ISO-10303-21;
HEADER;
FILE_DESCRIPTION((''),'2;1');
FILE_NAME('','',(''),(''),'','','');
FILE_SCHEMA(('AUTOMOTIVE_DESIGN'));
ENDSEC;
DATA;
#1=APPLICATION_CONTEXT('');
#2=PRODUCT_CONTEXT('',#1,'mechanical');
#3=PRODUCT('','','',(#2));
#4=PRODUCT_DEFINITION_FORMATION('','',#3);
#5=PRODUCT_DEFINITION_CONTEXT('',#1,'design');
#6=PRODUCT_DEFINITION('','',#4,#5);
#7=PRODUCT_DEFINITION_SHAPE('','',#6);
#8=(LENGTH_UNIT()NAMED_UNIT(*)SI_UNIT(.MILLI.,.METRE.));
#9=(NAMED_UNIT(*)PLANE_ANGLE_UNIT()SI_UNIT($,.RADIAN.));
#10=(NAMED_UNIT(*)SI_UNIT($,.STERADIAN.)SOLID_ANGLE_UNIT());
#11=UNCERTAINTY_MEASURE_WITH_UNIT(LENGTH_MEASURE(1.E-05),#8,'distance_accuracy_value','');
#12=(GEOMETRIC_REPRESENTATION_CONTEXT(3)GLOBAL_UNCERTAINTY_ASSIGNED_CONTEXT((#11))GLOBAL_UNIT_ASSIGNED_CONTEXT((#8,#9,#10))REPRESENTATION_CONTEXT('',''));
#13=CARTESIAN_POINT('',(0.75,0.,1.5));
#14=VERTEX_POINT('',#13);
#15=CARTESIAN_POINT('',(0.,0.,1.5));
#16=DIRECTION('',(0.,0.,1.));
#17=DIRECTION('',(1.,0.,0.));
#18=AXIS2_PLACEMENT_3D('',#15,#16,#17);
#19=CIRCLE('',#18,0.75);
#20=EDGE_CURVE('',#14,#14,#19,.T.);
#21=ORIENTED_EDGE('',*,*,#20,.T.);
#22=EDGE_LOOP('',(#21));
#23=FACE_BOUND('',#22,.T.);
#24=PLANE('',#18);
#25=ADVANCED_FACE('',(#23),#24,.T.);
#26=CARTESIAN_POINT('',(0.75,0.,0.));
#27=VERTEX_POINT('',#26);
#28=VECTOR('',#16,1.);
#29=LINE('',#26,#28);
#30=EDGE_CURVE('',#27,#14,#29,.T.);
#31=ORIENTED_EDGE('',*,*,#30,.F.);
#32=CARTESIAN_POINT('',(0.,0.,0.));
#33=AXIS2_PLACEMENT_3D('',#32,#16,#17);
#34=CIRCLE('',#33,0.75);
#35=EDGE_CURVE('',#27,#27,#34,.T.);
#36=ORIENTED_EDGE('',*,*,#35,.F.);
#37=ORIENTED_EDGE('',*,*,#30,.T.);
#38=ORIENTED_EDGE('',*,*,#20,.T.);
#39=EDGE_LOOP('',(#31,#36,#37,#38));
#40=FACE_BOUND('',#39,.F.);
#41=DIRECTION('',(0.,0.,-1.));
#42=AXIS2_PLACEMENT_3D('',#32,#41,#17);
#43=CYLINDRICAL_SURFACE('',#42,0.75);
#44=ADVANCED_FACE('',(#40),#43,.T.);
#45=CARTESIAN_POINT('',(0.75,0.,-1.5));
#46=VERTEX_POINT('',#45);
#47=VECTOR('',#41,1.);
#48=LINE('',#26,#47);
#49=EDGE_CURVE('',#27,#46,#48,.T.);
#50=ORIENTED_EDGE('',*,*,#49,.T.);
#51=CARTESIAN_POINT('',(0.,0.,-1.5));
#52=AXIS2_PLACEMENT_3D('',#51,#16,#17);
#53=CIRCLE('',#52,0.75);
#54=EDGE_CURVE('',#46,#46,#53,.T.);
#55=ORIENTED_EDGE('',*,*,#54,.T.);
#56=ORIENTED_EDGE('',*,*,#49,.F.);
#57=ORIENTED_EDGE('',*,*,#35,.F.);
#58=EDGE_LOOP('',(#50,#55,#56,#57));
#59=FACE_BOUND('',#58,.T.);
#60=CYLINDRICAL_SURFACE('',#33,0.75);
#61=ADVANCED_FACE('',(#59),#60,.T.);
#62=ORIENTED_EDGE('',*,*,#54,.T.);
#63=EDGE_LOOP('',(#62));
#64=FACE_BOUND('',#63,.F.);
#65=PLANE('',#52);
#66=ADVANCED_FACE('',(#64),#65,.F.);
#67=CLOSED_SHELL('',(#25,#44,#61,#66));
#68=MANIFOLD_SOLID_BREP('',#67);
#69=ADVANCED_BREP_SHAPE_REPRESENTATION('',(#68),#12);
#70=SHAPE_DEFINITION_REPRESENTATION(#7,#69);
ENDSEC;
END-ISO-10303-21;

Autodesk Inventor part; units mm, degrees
ref_plane "YZ Plane" through (0, 0, 0) normal (1, 0, 0) x (0, 1, 0)
ref_plane "XZ Plane" through (0, 0, 0) normal (0, 1, 0) x (-1, 0, 0)
ref_plane "XY Plane" through (0, 0, 0) normal (0, 0, 1) x (1, 0, 0)
sketch "Sketch1" plane through (0, 0, 0) normal (0, 0, 1) x (1, 0, 0)
  circle A0 centre (0, 0) radius 0.75
  dimension "d0" = 1.5
extrude "Extrusion1" add sketch "Sketch1" along normal mid plane 3
properties part number "Pin_B_1.5mm_Piston"
